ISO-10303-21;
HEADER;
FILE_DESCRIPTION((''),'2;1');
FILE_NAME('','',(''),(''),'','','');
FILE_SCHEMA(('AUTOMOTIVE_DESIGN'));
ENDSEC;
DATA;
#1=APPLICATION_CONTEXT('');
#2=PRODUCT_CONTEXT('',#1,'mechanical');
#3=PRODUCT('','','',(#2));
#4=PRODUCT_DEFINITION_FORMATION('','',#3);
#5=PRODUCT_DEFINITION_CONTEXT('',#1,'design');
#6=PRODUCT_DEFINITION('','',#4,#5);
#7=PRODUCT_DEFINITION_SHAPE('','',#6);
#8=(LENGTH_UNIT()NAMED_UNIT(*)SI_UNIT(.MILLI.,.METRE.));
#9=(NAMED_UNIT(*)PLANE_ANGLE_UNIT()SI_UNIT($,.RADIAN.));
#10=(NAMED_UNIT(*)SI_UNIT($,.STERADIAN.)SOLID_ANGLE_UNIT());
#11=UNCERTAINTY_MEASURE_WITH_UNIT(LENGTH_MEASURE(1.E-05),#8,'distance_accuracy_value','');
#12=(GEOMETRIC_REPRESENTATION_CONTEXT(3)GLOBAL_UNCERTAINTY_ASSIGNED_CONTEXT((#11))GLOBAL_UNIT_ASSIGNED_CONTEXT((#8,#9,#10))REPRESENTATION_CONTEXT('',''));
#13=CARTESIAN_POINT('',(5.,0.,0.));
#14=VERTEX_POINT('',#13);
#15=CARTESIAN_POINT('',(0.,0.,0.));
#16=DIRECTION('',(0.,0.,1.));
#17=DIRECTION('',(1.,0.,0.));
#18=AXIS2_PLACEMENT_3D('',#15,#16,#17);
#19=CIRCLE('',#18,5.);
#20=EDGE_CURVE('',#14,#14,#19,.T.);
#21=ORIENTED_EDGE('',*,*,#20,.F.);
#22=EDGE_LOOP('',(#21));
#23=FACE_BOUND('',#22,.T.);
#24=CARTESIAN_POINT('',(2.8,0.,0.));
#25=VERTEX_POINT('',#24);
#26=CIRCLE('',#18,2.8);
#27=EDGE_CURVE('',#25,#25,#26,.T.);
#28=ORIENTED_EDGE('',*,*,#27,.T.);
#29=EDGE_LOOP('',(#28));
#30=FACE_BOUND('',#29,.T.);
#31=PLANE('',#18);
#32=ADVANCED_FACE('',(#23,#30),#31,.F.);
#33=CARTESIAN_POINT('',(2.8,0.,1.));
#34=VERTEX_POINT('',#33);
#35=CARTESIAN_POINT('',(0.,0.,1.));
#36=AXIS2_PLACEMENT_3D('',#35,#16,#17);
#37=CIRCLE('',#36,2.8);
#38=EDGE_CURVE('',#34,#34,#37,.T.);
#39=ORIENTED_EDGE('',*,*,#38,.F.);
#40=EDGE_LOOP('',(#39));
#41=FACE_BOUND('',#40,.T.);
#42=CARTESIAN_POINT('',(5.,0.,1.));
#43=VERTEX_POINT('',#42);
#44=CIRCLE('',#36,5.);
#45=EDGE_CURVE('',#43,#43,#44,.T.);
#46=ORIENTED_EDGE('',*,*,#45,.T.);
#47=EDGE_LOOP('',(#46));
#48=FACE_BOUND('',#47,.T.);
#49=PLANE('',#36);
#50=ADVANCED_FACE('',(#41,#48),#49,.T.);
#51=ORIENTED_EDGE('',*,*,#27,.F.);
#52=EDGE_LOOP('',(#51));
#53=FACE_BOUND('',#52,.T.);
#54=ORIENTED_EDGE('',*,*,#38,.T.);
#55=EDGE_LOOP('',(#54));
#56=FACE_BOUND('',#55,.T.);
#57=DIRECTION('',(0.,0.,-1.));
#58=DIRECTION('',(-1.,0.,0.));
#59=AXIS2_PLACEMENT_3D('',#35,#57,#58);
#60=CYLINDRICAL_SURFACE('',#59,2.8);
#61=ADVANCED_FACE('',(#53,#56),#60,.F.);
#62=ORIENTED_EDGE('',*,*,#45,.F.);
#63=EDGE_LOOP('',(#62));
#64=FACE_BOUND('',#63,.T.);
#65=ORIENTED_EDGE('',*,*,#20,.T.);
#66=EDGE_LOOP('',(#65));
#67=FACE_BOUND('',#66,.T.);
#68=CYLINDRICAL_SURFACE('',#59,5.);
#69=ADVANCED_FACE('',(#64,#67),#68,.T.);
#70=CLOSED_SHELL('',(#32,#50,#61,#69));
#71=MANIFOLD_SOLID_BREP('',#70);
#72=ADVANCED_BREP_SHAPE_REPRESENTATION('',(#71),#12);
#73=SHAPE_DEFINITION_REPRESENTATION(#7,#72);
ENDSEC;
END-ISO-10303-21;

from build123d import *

# Parameters (mm, degrees)
SKETCH_1_R      = 5
SKETCH_1_R_2    = 2.8
EXTRUDE_1_DEPTH = 1


with BuildPart() as part:
    # 草圖1 → 填料-伸長1 (new body)
    with BuildSketch(Plane.XY):
        Circle(SKETCH_1_R)
        Circle(SKETCH_1_R_2, mode=Mode.SUBTRACT)
    extrude(amount=EXTRUDE_1_DEPTH)


solid = part.part
